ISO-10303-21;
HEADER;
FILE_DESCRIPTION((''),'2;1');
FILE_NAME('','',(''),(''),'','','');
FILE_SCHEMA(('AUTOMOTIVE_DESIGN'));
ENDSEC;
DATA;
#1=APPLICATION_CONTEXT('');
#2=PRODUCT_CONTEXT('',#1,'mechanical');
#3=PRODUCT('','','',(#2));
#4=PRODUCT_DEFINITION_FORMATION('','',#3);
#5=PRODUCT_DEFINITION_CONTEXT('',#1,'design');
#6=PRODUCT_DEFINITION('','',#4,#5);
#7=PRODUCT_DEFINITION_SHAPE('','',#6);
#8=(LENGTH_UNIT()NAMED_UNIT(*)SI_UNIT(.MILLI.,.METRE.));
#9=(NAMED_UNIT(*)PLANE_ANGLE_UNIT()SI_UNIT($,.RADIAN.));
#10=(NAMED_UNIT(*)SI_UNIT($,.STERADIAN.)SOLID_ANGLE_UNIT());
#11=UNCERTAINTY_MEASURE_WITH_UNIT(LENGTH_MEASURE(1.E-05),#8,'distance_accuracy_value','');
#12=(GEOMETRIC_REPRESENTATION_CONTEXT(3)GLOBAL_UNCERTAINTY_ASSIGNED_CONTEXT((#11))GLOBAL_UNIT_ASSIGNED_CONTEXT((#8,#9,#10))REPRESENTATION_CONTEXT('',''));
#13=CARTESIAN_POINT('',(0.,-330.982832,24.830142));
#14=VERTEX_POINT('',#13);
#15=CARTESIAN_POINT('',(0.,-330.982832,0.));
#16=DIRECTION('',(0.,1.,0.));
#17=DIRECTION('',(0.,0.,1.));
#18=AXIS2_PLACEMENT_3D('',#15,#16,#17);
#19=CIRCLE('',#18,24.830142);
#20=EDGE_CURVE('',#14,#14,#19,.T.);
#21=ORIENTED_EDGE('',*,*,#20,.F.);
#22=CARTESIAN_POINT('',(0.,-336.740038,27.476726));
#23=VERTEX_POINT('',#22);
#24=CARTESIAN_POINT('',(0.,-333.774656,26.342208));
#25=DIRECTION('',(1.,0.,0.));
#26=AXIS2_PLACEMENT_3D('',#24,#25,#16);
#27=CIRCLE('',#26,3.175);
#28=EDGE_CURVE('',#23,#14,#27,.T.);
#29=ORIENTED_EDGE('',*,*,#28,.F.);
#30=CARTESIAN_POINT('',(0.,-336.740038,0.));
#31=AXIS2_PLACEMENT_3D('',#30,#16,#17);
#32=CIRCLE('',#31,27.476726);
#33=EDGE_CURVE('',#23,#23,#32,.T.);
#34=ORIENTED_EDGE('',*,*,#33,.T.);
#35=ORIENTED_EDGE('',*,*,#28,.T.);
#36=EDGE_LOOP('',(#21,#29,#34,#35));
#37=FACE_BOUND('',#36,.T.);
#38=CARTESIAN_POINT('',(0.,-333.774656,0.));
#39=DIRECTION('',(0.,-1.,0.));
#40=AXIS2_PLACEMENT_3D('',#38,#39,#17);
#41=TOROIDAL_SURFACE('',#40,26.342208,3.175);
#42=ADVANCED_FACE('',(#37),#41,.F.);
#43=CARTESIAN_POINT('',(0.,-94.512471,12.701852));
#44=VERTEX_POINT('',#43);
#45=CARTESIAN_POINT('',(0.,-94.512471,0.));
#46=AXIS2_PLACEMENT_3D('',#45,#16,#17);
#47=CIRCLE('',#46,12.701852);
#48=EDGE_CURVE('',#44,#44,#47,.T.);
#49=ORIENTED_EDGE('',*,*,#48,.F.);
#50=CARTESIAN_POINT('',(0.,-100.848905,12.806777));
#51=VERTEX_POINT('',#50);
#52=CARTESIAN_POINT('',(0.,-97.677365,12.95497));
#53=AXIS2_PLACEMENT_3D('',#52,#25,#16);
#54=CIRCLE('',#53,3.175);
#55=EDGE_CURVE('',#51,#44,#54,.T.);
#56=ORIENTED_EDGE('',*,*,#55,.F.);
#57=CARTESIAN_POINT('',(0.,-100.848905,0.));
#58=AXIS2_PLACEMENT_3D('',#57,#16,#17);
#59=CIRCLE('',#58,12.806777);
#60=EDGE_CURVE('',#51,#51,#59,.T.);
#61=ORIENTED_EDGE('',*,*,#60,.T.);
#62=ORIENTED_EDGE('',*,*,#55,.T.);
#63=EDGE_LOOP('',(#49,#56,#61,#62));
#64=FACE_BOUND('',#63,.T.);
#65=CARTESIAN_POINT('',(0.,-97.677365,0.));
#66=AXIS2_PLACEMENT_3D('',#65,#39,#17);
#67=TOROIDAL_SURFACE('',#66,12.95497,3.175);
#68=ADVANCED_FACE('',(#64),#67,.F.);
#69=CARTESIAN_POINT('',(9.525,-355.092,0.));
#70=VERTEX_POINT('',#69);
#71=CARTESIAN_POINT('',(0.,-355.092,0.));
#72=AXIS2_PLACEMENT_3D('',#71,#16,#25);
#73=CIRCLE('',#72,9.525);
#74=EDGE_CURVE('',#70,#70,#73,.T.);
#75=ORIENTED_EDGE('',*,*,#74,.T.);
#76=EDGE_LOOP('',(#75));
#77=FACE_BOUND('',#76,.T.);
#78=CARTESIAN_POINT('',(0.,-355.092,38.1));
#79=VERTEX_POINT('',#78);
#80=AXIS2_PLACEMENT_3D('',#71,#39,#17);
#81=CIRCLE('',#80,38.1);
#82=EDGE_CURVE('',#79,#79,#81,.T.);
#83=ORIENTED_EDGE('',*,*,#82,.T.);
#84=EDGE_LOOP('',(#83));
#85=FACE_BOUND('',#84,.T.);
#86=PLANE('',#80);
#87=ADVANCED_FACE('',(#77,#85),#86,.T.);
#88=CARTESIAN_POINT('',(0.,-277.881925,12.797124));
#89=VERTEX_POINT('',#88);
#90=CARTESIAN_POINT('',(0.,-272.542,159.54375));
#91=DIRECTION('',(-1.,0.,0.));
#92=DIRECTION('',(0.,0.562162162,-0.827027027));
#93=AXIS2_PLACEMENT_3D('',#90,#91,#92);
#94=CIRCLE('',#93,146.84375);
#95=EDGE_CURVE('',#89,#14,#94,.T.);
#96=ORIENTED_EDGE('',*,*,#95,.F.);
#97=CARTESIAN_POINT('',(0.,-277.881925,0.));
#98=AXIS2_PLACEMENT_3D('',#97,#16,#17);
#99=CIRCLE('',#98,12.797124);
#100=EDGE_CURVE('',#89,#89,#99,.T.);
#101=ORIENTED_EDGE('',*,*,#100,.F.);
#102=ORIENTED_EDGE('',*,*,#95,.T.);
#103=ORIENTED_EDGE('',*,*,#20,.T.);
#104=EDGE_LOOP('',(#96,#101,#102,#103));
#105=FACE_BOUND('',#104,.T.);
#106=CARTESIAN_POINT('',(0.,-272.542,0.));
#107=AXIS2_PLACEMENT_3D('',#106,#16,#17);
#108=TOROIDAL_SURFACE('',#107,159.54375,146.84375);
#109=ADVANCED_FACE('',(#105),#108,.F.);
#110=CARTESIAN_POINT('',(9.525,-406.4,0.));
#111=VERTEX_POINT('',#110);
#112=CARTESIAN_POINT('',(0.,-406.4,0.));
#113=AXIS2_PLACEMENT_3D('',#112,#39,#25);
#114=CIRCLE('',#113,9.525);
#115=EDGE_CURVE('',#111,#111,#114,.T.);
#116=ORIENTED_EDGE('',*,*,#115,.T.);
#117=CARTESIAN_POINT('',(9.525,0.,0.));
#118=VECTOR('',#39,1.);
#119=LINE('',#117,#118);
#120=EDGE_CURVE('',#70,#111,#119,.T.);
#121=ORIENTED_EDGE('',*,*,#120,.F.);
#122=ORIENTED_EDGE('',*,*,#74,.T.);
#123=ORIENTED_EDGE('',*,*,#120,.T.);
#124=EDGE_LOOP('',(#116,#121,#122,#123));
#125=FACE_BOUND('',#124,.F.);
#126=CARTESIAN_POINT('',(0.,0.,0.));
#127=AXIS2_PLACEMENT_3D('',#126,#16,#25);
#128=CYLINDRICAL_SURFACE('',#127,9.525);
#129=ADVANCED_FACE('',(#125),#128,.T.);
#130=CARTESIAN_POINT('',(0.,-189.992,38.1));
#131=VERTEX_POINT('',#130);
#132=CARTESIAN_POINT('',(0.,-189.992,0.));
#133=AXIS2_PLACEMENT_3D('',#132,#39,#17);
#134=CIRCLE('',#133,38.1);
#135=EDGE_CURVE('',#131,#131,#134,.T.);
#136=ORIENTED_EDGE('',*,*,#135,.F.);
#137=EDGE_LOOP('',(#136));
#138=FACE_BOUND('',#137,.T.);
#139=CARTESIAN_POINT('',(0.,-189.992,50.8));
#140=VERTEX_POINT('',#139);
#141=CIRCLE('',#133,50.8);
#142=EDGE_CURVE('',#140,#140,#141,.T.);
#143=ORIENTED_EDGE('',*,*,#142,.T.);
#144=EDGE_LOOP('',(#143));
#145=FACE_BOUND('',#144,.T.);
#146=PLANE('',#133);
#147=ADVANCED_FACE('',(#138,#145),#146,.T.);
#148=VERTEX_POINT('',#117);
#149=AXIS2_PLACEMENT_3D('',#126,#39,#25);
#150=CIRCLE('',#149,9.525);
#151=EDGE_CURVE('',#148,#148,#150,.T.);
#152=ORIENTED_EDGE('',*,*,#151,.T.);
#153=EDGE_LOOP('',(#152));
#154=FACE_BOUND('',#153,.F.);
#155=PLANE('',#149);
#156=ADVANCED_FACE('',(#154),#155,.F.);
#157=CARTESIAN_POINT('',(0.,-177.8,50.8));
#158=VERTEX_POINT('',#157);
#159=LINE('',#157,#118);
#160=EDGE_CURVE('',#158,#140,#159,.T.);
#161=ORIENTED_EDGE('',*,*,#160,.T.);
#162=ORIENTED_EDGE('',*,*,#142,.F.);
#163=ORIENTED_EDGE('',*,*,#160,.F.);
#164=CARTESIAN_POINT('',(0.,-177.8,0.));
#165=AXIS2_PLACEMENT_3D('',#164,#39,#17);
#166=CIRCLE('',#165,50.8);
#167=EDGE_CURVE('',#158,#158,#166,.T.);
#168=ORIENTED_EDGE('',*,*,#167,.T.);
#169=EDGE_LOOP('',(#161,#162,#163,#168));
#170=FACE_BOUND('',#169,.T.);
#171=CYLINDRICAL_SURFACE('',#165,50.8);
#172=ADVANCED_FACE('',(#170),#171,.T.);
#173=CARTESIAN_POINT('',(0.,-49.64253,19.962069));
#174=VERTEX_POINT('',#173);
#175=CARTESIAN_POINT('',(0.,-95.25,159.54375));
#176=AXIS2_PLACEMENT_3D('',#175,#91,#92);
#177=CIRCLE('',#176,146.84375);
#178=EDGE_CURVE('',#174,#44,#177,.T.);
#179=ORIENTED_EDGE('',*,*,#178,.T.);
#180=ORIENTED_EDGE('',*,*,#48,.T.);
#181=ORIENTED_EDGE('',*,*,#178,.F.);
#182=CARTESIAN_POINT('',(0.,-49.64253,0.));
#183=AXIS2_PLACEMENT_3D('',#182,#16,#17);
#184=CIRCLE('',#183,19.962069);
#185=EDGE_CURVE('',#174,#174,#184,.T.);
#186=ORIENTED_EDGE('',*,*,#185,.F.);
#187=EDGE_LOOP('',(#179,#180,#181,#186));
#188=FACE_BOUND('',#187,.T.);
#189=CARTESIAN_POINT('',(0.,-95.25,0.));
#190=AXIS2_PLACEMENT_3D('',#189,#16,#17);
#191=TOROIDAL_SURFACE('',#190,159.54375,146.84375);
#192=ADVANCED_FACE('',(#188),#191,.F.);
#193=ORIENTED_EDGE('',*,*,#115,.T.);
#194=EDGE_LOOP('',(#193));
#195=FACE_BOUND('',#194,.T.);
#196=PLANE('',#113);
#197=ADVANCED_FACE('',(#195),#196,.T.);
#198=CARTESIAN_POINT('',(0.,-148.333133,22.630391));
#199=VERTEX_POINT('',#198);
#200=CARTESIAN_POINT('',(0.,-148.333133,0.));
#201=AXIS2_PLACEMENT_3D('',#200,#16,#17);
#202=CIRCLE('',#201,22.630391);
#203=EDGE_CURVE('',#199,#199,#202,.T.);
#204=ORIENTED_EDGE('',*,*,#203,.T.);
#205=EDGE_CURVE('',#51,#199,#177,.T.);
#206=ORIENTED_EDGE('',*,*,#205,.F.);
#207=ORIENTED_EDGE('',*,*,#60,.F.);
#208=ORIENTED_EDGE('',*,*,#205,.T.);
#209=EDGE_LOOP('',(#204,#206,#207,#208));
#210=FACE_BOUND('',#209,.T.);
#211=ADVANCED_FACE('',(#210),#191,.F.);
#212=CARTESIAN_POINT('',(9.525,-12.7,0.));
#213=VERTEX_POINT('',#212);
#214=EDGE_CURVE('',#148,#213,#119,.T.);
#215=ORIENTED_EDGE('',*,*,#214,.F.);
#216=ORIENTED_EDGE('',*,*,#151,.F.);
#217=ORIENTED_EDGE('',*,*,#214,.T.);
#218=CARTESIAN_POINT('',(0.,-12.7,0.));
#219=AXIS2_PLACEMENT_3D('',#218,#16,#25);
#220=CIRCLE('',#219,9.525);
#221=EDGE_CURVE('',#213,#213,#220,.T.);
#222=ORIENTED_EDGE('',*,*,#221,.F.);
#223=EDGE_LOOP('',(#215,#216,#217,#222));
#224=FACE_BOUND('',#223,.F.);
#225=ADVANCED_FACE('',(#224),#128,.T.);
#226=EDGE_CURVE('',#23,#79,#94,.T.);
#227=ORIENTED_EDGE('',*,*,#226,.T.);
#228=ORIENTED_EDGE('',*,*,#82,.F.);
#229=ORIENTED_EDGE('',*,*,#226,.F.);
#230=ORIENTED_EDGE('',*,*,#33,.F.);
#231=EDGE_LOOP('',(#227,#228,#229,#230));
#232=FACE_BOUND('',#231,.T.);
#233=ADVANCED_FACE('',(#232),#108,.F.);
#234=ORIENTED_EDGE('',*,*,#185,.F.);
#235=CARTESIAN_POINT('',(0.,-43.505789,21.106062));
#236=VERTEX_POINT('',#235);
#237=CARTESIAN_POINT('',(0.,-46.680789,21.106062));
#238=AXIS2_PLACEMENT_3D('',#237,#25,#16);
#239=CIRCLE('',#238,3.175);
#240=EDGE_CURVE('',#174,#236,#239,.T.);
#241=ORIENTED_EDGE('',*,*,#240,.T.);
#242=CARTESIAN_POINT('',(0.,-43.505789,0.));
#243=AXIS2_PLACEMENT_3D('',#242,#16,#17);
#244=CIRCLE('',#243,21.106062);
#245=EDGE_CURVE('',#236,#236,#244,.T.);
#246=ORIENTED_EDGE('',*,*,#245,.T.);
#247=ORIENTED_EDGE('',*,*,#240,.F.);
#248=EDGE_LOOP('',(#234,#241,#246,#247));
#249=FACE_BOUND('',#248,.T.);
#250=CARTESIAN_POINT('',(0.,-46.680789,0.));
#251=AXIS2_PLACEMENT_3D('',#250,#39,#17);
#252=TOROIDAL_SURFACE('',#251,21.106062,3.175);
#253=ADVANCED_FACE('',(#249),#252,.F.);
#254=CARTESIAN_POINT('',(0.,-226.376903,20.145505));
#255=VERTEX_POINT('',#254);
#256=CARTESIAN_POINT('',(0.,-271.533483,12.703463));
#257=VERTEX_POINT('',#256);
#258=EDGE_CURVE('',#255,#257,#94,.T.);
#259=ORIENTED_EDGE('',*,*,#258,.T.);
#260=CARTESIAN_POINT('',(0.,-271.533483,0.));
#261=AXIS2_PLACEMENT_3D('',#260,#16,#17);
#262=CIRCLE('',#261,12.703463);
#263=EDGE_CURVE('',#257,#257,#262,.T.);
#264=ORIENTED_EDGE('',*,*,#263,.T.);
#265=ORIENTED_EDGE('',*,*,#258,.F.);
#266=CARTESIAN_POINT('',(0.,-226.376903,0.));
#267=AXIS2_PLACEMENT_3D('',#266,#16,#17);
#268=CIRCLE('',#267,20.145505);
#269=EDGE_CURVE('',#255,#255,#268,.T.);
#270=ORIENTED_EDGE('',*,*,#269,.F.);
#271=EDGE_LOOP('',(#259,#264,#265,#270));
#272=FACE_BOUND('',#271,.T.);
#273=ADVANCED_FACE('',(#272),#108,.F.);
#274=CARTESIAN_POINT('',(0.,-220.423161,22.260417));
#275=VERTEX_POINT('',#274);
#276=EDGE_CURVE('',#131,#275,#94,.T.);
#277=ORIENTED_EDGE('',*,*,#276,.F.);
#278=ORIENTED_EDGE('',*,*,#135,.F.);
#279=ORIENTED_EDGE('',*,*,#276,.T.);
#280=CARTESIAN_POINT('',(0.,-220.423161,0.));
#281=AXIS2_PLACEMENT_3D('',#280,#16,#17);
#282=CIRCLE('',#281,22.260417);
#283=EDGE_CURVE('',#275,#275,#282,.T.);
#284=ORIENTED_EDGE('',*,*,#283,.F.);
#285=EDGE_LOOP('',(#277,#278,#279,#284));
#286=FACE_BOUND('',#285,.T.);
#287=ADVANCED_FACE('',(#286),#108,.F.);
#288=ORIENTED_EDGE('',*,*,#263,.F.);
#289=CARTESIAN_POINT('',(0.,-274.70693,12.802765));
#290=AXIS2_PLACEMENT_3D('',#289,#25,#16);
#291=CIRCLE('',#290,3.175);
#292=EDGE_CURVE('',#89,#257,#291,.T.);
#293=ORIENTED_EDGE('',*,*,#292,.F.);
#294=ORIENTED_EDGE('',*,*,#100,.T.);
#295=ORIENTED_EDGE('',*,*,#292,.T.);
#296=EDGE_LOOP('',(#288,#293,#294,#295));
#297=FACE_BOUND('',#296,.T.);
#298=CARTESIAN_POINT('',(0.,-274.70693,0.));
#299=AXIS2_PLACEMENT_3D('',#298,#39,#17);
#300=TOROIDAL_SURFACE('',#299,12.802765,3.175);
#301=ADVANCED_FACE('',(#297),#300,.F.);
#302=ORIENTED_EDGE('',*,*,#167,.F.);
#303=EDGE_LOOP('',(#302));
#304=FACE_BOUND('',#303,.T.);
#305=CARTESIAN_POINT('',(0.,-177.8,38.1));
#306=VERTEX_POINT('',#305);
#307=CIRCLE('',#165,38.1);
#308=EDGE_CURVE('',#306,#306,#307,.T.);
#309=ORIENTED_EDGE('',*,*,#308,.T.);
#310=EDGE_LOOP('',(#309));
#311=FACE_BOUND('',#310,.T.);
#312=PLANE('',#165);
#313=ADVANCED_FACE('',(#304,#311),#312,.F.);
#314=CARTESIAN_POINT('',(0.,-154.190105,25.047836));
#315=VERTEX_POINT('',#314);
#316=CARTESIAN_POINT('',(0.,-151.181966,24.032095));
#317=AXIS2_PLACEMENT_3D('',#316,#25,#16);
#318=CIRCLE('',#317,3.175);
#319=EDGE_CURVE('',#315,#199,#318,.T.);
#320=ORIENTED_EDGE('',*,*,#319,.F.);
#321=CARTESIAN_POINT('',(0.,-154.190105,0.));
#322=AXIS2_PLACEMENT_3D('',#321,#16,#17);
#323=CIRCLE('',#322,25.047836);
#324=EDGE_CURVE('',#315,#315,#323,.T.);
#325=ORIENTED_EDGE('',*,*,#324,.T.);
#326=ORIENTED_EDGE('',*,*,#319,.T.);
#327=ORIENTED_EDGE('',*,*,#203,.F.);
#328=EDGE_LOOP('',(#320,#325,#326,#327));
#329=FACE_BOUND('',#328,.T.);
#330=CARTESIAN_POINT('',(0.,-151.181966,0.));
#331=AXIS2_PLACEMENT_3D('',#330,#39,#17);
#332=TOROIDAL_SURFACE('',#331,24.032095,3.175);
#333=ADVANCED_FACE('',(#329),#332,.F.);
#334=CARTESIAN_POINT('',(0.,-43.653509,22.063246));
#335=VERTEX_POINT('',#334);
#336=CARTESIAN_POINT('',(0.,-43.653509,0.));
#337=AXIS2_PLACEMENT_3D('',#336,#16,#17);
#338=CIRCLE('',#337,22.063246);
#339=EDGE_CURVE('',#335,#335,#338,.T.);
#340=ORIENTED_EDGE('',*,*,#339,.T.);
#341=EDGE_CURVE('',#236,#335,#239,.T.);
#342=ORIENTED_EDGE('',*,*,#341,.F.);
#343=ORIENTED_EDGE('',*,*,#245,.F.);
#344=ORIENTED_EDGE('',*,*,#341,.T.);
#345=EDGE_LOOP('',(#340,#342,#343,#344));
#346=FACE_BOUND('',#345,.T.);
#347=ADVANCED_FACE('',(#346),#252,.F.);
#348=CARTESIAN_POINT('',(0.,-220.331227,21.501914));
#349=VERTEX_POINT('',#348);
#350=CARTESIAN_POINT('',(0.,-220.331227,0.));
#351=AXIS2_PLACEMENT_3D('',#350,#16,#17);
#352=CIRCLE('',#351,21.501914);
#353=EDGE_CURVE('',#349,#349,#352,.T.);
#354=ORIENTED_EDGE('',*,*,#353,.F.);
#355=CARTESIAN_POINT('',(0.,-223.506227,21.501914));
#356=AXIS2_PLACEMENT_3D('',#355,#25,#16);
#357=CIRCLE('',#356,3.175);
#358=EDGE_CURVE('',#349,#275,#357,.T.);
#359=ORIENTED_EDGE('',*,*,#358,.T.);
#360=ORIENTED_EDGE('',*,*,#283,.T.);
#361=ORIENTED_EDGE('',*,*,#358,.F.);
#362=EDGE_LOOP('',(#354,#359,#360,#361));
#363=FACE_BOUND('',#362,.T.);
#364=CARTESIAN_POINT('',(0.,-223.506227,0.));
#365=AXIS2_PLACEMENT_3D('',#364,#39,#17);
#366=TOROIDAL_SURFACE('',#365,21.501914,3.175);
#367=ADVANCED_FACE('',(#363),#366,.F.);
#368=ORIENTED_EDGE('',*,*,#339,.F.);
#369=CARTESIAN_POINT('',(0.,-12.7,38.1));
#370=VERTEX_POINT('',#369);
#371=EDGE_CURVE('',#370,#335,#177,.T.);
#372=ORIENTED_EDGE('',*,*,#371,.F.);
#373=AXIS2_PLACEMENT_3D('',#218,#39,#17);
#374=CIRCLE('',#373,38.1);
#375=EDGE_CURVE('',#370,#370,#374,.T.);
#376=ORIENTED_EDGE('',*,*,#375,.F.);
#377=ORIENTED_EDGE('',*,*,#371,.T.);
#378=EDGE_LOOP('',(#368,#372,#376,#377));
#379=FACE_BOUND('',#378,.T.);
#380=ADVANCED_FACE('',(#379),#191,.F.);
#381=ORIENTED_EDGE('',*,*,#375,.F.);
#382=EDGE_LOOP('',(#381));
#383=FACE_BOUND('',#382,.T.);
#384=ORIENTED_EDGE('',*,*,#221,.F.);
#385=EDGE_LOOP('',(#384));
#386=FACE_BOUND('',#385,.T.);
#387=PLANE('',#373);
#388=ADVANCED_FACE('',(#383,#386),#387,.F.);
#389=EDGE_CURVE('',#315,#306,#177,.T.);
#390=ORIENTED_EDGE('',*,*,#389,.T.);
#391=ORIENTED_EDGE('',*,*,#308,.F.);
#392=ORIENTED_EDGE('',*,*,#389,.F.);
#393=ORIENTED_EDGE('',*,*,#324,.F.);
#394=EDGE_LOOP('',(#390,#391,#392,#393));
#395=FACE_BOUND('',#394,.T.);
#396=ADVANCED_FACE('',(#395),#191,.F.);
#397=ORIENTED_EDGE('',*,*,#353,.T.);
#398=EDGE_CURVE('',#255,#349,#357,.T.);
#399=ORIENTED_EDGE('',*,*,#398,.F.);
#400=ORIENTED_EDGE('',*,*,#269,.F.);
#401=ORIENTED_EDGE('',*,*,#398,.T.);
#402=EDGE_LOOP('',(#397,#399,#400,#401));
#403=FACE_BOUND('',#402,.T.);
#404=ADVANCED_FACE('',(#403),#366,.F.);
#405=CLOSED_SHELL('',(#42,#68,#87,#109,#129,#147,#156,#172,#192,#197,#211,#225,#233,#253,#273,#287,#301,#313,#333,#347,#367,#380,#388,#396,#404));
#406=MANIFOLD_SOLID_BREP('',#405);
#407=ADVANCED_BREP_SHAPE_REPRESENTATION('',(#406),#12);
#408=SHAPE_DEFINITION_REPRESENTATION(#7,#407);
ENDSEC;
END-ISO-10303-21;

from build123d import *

# Parameters (mm, degrees)
F0_R     = 9.525
F1_DEPTH = 406.4
F4_R     = 3.175


with BuildPart() as f1:
    # F0 (on Front) → F1 (new body)
    with BuildSketch(Plane.XZ):
        Circle(F0_R)
    extrude(amount=F1_DEPTH)

    # F2 (on Right) → F3 (revolve)
    with BuildSketch(Plane.YZ):
        with BuildLine():
            Line((-355.092, 0), (-12.7, 0))
            Line((-12.7, 0), (-12.7, 38.1))
            ThreePointArc((-12.7, 38.1), (-95.25, 12.7), (-177.8, 38.1))
            Line((-177.8, 38.1), (-177.8, 50.8))
            Line((-177.8, 50.8), (-189.992, 50.8))
            Line((-189.992, 50.8), (-189.992, 38.1))
            ThreePointArc((-189.992, 38.1), (-272.542, 12.7), (-355.092, 38.1))
            Line((-355.092, 38.1), (-355.092, 0))
        make_face()
    revolve(axis=Axis((0, -183.896, 0), (0, -1, 0)))

    # F4 (on Right) → F5 (revolve, cut)
    with BuildSketch(Plane.YZ):
        with Locations((-274.7069299221, 12.8027647734)):
            Circle(F4_R)
        with Locations((-223.5062271357, 21.5019136667)):
            Circle(F4_R)
        with Locations((-333.7746560574, 26.3422075659)):
            Circle(F4_R)
        with Locations((-97.6773649454, 12.9549698904)):
            Circle(F4_R)
        with Locations((-46.6807894409, 21.106062457)):
            Circle(F4_R)
        with Locations((-151.1819660664, 24.0320954472)):
            Circle(F4_R)
    revolve(axis=Axis((0, 0, 0), (0, 1, 0)), mode=Mode.SUBTRACT)


solid = f1.part
